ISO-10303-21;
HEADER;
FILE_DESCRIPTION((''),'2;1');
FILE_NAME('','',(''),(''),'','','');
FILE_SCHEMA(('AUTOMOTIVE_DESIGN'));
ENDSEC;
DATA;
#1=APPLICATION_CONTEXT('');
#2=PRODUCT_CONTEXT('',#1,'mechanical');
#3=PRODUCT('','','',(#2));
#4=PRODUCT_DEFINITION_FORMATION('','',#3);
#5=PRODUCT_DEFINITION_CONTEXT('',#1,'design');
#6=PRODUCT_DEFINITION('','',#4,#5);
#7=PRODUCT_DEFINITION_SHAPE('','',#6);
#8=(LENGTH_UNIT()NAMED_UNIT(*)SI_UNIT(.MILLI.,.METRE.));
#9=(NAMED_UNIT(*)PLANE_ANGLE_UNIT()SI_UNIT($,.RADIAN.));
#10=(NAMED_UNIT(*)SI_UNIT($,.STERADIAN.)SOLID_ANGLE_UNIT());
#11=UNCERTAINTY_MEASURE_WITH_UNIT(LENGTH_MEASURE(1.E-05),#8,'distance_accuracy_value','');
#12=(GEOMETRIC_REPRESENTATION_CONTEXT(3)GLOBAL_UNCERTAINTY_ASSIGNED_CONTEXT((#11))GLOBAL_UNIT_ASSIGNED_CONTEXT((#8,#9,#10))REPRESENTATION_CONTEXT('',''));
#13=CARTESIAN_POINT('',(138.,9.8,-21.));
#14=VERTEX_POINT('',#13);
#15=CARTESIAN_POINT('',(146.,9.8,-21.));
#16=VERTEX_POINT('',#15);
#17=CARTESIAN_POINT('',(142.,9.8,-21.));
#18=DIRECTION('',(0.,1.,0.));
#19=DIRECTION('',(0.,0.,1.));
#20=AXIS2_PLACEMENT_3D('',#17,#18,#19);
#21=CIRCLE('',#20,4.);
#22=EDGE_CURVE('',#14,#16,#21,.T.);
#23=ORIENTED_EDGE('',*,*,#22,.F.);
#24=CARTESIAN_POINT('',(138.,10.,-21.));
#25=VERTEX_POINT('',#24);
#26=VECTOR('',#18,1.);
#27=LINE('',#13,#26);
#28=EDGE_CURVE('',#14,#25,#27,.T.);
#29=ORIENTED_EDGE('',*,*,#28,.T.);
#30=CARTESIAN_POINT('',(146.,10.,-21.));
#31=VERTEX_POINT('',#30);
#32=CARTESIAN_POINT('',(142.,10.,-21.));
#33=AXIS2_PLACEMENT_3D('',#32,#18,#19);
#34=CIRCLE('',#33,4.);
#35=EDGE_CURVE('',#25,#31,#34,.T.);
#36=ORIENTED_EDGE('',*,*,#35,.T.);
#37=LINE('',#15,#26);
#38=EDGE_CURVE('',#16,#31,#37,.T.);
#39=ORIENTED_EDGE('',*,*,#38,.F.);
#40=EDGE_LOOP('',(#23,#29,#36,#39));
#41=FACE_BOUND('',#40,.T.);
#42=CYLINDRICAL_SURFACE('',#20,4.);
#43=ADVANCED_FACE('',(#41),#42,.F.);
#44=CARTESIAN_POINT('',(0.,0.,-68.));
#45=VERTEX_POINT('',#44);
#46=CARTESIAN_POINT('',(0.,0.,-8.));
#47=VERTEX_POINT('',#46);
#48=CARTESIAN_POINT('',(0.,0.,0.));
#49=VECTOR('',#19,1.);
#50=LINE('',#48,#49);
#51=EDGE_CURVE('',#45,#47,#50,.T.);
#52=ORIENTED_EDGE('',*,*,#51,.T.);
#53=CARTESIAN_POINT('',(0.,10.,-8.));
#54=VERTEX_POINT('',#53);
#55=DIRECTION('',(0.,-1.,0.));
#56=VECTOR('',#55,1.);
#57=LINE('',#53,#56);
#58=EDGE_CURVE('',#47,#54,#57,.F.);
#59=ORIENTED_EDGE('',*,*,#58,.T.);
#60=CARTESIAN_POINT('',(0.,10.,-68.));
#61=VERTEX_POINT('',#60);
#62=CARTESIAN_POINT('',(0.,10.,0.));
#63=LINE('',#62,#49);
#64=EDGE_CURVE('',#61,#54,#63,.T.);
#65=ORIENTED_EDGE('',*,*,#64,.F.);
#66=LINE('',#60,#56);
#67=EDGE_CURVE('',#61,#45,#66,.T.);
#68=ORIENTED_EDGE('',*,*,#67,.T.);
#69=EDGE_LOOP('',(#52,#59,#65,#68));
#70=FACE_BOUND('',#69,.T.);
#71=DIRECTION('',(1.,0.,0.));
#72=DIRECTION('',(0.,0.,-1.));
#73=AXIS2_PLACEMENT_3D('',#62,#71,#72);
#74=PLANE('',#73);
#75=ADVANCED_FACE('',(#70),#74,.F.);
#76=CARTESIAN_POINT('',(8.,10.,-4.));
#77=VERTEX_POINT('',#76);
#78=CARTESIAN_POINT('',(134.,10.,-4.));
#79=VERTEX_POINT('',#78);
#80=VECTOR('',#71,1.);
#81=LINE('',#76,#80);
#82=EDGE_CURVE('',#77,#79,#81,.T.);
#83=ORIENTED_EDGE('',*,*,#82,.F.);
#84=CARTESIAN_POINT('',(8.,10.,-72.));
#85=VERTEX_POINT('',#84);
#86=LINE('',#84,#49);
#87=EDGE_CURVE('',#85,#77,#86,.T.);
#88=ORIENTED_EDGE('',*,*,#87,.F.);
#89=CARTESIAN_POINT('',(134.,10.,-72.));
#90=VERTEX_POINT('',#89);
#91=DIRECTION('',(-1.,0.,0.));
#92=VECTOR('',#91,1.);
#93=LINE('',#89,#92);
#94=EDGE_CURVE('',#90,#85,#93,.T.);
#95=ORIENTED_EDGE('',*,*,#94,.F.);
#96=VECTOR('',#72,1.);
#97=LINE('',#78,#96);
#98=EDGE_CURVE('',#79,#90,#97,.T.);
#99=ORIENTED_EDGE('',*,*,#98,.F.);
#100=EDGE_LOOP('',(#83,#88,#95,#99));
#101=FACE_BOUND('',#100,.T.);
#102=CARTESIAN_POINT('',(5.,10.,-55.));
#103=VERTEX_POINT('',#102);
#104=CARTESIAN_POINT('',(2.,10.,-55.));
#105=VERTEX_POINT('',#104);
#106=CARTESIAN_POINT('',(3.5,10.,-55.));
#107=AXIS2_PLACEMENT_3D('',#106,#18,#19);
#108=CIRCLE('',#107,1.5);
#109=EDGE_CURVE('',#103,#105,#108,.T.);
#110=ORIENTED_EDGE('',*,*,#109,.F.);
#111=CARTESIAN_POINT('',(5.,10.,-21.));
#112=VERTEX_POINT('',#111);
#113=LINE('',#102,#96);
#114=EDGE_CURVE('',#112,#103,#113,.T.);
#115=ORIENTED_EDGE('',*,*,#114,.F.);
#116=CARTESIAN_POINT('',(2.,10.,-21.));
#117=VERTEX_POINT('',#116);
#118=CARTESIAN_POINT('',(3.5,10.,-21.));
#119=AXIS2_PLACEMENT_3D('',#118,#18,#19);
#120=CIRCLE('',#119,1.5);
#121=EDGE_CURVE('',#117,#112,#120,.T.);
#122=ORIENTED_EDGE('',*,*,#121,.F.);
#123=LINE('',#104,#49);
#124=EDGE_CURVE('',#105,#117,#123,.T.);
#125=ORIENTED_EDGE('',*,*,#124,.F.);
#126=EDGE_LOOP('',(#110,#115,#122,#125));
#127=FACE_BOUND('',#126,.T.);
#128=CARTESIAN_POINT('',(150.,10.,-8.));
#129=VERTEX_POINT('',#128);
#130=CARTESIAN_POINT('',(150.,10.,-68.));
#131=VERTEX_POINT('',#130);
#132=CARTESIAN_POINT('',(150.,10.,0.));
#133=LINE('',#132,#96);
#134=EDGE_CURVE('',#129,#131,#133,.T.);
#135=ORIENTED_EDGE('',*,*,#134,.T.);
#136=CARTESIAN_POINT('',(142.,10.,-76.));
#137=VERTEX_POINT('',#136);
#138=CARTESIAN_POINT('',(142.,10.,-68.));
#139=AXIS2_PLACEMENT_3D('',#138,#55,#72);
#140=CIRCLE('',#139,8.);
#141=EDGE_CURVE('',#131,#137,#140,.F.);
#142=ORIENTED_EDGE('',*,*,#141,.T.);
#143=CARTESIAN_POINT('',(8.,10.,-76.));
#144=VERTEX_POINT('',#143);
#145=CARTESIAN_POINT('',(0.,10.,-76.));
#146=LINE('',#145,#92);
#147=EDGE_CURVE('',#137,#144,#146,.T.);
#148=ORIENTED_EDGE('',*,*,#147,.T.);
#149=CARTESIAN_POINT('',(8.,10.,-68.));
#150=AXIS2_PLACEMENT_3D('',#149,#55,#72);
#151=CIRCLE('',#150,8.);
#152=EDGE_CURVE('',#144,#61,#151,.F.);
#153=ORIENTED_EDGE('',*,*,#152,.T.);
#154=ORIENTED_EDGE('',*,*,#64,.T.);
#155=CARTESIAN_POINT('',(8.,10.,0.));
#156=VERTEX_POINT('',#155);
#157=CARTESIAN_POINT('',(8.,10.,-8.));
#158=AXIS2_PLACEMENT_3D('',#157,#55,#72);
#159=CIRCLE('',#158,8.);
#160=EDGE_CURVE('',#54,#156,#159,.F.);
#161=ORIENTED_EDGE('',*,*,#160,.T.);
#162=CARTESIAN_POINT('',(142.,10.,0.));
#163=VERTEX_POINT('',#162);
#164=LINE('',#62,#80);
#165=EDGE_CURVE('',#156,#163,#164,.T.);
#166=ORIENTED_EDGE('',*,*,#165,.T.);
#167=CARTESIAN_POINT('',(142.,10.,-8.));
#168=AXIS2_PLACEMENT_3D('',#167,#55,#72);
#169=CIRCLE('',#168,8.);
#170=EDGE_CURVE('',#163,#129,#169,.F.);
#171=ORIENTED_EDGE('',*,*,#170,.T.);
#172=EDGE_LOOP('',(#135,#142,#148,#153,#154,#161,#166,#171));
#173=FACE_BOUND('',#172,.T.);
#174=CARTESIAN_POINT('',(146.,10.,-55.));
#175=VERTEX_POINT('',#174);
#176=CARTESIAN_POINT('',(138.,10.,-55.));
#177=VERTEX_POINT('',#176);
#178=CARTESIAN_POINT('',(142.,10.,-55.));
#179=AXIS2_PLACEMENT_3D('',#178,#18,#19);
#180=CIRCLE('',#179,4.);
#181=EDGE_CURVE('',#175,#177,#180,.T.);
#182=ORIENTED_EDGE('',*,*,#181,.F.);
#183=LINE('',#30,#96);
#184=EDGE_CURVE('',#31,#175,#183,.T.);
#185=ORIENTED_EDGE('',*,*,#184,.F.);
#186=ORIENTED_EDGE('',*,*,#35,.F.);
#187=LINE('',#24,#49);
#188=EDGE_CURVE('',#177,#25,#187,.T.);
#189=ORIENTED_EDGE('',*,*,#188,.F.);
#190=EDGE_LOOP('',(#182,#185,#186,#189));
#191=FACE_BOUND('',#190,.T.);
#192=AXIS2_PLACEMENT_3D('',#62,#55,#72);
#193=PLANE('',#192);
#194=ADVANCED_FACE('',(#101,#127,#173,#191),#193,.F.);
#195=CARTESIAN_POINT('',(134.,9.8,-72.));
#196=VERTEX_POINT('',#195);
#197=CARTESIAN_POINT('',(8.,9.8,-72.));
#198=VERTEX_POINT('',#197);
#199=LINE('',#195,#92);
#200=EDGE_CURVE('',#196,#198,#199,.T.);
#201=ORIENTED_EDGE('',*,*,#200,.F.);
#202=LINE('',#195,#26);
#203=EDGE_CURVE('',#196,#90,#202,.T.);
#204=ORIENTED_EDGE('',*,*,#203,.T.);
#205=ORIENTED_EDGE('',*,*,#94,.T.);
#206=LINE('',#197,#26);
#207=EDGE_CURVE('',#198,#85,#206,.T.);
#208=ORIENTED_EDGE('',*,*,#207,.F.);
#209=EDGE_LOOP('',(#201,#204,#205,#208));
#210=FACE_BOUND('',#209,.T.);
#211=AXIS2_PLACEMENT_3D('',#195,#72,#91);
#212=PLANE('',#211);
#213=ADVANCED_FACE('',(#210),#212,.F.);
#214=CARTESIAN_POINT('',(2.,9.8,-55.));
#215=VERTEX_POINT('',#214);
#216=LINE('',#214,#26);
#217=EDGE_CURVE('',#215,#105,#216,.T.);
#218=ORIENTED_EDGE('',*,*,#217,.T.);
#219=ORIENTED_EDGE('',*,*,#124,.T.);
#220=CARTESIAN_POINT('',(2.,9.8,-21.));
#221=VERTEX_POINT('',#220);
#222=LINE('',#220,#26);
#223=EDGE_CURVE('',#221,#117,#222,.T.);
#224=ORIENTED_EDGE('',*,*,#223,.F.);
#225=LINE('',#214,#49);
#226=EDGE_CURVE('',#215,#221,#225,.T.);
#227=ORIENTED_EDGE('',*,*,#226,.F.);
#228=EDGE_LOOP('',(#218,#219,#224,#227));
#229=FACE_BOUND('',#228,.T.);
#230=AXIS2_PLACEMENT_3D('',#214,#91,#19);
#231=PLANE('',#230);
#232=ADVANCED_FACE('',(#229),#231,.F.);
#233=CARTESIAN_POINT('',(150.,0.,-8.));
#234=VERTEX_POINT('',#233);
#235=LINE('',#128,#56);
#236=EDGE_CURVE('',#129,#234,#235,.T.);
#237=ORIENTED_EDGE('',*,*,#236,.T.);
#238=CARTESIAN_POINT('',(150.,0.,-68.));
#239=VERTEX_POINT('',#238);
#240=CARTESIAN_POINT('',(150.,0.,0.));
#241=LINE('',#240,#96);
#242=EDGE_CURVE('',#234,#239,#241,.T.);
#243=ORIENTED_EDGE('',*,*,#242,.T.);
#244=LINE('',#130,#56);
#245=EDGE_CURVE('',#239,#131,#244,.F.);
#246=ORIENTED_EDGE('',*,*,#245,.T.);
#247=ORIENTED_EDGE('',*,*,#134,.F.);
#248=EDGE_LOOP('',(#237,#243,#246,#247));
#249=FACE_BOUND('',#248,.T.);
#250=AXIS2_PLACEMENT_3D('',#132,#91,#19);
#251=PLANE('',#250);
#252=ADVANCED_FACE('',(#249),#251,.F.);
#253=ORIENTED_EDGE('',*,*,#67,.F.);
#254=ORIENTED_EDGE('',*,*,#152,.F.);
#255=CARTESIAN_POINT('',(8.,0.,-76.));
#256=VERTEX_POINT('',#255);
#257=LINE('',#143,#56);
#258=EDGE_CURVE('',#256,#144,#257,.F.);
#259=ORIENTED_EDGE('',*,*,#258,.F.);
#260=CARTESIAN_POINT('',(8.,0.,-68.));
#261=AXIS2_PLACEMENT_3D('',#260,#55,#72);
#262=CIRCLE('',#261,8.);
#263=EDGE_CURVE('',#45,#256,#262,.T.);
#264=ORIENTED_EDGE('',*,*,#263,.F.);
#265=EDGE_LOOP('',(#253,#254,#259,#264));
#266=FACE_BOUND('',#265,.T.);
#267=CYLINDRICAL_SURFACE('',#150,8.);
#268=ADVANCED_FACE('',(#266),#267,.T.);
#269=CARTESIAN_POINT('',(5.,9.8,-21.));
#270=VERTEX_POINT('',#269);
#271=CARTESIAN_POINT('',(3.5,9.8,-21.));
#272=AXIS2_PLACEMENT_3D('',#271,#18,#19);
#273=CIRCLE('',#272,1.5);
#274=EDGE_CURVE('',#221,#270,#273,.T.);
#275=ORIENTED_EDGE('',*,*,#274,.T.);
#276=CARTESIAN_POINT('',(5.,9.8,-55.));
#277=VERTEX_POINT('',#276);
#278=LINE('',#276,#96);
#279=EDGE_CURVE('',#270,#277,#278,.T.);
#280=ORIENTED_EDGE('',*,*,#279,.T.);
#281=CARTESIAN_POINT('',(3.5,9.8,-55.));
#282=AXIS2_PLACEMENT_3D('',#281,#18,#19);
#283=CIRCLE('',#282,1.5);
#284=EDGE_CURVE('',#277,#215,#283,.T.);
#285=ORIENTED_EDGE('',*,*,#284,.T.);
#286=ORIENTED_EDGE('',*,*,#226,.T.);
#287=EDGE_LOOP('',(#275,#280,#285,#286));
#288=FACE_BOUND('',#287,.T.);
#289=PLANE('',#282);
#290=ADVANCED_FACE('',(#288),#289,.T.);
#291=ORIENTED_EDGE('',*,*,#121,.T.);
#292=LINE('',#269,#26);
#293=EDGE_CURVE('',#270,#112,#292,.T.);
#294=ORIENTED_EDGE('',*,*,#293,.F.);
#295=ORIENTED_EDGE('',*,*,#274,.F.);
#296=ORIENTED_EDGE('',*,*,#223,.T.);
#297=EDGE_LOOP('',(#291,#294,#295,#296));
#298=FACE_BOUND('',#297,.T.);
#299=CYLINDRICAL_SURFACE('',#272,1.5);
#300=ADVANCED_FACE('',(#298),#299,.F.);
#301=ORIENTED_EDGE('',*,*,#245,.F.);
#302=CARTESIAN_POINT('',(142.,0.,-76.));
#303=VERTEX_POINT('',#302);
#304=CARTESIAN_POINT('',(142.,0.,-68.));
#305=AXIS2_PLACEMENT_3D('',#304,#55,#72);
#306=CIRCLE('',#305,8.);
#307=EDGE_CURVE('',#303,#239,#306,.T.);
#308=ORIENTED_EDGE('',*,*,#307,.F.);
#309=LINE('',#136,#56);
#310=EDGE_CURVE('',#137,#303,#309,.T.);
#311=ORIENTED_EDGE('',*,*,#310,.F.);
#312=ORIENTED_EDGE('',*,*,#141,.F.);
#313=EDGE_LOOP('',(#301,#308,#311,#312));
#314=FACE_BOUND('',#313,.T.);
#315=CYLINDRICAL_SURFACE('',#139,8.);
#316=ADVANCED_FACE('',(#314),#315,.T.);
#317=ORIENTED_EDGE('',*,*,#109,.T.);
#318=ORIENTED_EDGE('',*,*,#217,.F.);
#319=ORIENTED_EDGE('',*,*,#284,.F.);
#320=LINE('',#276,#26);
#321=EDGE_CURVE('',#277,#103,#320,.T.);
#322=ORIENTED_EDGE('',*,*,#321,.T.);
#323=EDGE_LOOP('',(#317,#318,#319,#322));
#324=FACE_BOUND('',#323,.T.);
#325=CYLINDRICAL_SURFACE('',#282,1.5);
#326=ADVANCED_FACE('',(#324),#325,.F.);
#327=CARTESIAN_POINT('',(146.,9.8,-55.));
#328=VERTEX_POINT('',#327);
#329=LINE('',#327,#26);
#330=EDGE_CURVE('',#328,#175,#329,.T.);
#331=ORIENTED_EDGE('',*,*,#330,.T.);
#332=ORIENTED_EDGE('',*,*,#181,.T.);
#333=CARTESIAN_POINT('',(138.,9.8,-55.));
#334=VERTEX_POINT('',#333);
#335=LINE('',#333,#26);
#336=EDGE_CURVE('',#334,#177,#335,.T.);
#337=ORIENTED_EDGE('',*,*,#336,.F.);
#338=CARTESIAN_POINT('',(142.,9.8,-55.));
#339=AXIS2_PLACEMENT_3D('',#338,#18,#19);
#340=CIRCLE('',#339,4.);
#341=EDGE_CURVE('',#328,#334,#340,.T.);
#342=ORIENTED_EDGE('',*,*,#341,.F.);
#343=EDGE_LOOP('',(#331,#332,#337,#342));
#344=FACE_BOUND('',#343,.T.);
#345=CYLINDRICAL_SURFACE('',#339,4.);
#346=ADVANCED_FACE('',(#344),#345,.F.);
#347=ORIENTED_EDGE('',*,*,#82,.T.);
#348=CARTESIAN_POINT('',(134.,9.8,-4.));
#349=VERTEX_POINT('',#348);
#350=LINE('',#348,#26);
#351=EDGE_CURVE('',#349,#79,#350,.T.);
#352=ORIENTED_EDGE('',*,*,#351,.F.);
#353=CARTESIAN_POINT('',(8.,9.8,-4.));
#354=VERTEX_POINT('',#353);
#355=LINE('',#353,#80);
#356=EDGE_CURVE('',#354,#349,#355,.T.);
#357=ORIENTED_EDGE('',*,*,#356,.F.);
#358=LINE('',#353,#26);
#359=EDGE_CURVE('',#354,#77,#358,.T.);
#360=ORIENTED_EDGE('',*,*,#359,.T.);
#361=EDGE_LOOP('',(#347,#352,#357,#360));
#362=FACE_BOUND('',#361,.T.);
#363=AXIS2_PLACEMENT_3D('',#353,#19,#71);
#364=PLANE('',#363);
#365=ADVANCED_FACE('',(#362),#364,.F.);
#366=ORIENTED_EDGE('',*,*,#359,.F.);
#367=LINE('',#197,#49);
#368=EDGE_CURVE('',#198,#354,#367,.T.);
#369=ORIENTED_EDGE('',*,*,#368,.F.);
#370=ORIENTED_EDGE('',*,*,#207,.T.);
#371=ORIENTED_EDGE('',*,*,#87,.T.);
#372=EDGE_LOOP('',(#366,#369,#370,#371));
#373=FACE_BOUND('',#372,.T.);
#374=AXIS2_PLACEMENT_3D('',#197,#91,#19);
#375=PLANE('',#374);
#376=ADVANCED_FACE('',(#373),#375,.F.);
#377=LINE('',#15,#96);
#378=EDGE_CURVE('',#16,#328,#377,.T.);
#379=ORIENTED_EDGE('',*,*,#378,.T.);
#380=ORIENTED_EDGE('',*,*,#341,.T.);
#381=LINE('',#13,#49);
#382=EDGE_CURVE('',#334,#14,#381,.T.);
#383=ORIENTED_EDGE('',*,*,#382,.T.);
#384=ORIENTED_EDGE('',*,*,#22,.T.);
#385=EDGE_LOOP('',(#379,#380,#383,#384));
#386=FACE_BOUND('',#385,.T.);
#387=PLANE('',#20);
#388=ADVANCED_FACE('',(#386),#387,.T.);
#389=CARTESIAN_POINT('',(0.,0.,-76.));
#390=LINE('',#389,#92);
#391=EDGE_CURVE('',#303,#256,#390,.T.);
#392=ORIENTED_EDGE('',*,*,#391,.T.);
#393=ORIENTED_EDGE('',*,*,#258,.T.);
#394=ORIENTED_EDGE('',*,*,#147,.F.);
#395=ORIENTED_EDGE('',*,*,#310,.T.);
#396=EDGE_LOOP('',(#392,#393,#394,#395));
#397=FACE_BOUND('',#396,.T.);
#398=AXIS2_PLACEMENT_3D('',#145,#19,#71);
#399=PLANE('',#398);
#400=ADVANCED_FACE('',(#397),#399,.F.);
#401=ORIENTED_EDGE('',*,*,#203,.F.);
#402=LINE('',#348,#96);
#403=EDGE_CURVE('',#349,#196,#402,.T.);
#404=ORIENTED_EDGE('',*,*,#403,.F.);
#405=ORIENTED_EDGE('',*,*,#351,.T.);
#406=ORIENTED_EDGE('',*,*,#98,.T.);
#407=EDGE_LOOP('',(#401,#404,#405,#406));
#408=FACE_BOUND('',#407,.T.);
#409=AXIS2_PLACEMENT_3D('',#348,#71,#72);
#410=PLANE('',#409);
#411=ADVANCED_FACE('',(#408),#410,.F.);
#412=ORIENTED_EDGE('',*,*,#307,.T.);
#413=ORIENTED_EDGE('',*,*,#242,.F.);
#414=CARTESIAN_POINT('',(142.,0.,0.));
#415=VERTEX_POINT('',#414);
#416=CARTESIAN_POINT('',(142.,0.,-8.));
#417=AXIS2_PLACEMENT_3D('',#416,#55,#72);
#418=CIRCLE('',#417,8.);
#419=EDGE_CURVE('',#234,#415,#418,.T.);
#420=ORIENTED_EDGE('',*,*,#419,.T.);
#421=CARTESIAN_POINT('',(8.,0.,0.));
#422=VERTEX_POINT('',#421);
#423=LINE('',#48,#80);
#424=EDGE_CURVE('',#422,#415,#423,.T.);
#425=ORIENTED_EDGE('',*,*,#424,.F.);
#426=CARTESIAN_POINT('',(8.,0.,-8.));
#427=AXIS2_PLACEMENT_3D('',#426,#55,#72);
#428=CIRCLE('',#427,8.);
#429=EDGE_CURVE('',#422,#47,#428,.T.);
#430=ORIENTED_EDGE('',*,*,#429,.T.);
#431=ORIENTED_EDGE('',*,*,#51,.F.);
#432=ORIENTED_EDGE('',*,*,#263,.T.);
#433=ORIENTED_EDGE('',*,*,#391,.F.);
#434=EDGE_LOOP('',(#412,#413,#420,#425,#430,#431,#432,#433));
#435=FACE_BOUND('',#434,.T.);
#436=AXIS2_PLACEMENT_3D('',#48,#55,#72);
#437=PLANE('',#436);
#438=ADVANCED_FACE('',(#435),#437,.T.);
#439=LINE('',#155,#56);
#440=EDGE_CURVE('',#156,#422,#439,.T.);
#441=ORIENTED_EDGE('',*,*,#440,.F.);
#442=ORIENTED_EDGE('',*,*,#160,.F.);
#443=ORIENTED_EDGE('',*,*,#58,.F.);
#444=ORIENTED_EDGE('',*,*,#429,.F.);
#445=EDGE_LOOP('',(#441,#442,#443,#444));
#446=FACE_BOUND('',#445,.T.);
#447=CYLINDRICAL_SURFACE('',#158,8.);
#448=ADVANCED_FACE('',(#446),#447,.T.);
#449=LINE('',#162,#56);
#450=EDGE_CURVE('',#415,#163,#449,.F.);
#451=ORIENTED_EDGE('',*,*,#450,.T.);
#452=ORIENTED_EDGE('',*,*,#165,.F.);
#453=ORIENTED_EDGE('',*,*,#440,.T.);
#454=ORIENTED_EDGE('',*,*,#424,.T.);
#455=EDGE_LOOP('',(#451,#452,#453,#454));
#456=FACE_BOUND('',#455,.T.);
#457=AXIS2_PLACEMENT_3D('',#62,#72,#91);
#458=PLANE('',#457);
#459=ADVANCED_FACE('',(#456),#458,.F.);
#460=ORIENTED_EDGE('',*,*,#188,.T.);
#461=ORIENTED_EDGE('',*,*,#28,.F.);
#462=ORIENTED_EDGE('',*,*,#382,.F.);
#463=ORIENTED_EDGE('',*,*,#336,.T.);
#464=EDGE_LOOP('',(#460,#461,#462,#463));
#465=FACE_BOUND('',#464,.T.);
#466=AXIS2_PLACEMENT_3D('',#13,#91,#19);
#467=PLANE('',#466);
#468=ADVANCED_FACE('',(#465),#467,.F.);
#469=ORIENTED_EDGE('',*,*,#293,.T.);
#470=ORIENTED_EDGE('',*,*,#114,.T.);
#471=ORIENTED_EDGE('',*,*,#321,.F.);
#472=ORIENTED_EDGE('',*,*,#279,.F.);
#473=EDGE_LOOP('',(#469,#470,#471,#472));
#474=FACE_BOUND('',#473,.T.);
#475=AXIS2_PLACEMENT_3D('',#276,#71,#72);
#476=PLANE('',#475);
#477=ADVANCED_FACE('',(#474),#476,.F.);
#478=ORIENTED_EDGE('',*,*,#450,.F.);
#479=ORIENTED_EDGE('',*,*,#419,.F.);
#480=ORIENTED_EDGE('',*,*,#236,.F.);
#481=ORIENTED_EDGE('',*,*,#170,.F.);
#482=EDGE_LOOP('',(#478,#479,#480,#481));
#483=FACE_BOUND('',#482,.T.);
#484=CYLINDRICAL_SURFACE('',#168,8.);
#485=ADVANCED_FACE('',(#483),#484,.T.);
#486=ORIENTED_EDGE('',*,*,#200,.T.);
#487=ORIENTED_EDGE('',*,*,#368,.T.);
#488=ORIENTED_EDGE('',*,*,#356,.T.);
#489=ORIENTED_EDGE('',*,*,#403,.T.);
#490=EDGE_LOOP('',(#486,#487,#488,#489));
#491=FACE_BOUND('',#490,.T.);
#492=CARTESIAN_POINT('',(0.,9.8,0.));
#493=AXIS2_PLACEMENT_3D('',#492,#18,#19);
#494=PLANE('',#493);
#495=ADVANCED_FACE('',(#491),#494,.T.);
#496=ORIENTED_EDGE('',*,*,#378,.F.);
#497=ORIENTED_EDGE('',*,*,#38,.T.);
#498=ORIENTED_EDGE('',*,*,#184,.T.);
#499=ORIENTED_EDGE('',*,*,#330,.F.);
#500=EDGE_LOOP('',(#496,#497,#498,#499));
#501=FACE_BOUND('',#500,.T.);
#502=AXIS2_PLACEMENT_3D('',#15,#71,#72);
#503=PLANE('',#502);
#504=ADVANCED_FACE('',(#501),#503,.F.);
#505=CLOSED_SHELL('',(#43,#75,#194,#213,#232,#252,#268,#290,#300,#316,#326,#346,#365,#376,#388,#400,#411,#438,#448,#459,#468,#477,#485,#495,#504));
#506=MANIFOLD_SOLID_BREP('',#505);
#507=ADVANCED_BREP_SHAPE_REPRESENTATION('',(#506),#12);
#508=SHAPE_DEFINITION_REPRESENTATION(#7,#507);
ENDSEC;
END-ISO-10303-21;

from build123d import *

# Parameters (mm, degrees)
SKETCH1_W           = 150
SKETCH1_H           = 76
BOSS_EXTRUDE1_DEPTH = 10
SKETCH2_W           = 126
SKETCH2_H           = 68
CUT_EXTRUDE1_DEPTH  = 0.2
FILLET1_R           = 8


with BuildPart() as part:
    # Sketch1 → Boss-Extrude1 (new body)
    with BuildSketch(Plane(origin=(0, 0, 0), x_dir=(1, 0, 0), z_dir=(0, 1, 0))):
        with Locations((75, 38)):
            Rectangle(SKETCH1_W, SKETCH1_H)
    extrude(amount=BOSS_EXTRUDE1_DEPTH)

    # Sketch2 → Cut-Extrude1 (cut)
    with BuildSketch(Plane(origin=(0, 10, 0), x_dir=(1, 0, 0), z_dir=(0, 1, 0))):
        with Locations((71, 38)):
            Rectangle(SKETCH2_W, SKETCH2_H)
        with BuildLine():
            Line((138, 21), (138, 55))
            ThreePointArc((138, 55), (142, 59), (146, 55))
            Line((146, 55), (146, 21))
            ThreePointArc((146, 21), (142, 17), (138, 21))
        make_face()
        with BuildLine():
            Line((5, 55), (5, 21))
            ThreePointArc((5, 21), (3.5, 19.5), (2, 21))
            Line((2, 21), (2, 55))
            ThreePointArc((2, 55), (3.5, 56.5), (5, 55))
        make_face()
    extrude(amount=-CUT_EXTRUDE1_DEPTH, mode=Mode.SUBTRACT)

    # Fillet1
    fillet1_edges = [part.edges().sort_by_distance(p)[0] for p in [
        (0, 5, -76),
        (150, 5, -76),
        (150, 5, 0),
        (0, 5, 0),
    ]]
    fillet(fillet1_edges, radius=FILLET1_R)


solid = part.part
